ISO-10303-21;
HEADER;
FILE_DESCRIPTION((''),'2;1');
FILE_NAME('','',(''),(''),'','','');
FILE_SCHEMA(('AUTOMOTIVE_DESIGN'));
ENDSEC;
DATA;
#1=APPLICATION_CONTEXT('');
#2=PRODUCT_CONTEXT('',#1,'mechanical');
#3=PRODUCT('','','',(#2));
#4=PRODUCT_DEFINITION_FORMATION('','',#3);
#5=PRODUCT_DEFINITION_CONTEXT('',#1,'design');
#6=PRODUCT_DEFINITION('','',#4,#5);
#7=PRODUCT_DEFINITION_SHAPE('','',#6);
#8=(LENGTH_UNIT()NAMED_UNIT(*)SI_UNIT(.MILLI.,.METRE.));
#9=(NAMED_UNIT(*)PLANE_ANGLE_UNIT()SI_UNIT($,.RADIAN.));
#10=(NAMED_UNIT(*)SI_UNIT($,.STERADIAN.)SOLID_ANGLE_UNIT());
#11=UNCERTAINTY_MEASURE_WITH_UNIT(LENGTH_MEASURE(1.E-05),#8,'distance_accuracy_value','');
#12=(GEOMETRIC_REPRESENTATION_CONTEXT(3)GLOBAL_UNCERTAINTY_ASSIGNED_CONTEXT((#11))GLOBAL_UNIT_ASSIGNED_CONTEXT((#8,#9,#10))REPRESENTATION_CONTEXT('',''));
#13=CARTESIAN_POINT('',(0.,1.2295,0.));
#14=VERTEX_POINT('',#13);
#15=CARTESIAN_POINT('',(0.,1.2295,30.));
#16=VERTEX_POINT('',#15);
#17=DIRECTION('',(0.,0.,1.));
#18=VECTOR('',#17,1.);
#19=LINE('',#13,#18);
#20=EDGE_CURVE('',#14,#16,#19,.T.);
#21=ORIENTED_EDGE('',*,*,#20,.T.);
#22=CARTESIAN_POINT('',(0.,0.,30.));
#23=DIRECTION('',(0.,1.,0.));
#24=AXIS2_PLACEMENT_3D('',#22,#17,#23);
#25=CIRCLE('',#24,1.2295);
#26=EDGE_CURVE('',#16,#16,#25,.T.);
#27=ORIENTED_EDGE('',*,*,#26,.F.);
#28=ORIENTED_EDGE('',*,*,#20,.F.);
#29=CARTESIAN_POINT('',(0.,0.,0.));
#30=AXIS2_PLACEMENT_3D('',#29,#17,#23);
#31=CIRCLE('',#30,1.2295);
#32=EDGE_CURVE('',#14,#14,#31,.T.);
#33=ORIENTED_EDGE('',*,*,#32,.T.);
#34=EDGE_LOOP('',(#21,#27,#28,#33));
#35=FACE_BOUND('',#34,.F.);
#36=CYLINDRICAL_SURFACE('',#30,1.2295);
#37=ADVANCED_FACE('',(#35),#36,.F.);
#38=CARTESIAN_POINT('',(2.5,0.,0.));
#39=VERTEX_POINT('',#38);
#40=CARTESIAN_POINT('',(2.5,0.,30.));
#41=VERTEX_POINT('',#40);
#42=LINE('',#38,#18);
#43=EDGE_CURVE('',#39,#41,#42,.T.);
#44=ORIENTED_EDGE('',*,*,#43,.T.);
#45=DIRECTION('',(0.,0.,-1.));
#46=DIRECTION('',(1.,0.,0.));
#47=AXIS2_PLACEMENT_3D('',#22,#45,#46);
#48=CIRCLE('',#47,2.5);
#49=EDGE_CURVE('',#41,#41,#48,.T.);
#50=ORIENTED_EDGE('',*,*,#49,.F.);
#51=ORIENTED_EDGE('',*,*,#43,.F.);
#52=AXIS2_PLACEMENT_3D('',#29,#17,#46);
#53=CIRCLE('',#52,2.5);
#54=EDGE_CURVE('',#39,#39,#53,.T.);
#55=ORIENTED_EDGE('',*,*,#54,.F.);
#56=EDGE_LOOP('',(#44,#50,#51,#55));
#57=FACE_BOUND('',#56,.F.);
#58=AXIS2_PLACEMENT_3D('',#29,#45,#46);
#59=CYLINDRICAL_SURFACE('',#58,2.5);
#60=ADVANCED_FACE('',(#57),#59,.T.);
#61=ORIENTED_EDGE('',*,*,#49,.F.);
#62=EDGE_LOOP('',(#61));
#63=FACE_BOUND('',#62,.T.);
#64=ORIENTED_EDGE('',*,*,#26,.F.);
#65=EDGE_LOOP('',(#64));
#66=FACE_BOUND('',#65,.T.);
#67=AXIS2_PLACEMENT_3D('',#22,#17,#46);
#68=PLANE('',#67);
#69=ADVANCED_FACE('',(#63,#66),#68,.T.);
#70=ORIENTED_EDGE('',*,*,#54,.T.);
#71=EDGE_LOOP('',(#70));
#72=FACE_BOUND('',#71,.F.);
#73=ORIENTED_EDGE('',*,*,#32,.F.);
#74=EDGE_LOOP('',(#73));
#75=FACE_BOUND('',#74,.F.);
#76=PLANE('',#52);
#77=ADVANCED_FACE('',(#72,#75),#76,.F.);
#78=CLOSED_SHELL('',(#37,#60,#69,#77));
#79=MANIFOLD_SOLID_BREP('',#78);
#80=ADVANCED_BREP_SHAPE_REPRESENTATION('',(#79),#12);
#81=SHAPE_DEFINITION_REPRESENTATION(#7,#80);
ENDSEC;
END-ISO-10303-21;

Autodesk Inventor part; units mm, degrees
ref_plane "YZ Plane" through (0, 0, 0) normal (1, 0, 0) x (0, 1, 0)
ref_plane "XZ Plane" through (0, 0, 0) normal (0, 1, 0) x (-1, 0, 0)
ref_plane "XY Plane" through (0, 0, 0) normal (0, 0, 1) x (1, 0, 0)
sketch "Sketch1" plane through (0, 0, 0) normal (0, 0, 1) x (1, 0, 0)
  line L0 (-3.5, 0) -> (3.5, 0) projected
  line L1 (0, 3.5) -> (0, -3.5) projected
  circle A0 centre (0, 0) radius 2.5
  dimension "d0" = 5
extrude "Extrusion1" add sketch "Sketch1" along normal blind 30
sketch "Sketch2" plane through (0, 0, 0) normal (0, 0, 1) x (1, 0, 0)
  line L0 (-14, 0) -> (14, 0) projected
  line L1 (0, 14) -> (0, -14) projected
  point P0 (0, 0)
  point P1 (0, 0)
hole "Hole1" at (0, 0, 0) direction (0, 0, 1) diameter 2.459 end through all thread size "M3x0.5" class "6H" standard "ISO Metric profile"
properties part number "stand M3-L10"
